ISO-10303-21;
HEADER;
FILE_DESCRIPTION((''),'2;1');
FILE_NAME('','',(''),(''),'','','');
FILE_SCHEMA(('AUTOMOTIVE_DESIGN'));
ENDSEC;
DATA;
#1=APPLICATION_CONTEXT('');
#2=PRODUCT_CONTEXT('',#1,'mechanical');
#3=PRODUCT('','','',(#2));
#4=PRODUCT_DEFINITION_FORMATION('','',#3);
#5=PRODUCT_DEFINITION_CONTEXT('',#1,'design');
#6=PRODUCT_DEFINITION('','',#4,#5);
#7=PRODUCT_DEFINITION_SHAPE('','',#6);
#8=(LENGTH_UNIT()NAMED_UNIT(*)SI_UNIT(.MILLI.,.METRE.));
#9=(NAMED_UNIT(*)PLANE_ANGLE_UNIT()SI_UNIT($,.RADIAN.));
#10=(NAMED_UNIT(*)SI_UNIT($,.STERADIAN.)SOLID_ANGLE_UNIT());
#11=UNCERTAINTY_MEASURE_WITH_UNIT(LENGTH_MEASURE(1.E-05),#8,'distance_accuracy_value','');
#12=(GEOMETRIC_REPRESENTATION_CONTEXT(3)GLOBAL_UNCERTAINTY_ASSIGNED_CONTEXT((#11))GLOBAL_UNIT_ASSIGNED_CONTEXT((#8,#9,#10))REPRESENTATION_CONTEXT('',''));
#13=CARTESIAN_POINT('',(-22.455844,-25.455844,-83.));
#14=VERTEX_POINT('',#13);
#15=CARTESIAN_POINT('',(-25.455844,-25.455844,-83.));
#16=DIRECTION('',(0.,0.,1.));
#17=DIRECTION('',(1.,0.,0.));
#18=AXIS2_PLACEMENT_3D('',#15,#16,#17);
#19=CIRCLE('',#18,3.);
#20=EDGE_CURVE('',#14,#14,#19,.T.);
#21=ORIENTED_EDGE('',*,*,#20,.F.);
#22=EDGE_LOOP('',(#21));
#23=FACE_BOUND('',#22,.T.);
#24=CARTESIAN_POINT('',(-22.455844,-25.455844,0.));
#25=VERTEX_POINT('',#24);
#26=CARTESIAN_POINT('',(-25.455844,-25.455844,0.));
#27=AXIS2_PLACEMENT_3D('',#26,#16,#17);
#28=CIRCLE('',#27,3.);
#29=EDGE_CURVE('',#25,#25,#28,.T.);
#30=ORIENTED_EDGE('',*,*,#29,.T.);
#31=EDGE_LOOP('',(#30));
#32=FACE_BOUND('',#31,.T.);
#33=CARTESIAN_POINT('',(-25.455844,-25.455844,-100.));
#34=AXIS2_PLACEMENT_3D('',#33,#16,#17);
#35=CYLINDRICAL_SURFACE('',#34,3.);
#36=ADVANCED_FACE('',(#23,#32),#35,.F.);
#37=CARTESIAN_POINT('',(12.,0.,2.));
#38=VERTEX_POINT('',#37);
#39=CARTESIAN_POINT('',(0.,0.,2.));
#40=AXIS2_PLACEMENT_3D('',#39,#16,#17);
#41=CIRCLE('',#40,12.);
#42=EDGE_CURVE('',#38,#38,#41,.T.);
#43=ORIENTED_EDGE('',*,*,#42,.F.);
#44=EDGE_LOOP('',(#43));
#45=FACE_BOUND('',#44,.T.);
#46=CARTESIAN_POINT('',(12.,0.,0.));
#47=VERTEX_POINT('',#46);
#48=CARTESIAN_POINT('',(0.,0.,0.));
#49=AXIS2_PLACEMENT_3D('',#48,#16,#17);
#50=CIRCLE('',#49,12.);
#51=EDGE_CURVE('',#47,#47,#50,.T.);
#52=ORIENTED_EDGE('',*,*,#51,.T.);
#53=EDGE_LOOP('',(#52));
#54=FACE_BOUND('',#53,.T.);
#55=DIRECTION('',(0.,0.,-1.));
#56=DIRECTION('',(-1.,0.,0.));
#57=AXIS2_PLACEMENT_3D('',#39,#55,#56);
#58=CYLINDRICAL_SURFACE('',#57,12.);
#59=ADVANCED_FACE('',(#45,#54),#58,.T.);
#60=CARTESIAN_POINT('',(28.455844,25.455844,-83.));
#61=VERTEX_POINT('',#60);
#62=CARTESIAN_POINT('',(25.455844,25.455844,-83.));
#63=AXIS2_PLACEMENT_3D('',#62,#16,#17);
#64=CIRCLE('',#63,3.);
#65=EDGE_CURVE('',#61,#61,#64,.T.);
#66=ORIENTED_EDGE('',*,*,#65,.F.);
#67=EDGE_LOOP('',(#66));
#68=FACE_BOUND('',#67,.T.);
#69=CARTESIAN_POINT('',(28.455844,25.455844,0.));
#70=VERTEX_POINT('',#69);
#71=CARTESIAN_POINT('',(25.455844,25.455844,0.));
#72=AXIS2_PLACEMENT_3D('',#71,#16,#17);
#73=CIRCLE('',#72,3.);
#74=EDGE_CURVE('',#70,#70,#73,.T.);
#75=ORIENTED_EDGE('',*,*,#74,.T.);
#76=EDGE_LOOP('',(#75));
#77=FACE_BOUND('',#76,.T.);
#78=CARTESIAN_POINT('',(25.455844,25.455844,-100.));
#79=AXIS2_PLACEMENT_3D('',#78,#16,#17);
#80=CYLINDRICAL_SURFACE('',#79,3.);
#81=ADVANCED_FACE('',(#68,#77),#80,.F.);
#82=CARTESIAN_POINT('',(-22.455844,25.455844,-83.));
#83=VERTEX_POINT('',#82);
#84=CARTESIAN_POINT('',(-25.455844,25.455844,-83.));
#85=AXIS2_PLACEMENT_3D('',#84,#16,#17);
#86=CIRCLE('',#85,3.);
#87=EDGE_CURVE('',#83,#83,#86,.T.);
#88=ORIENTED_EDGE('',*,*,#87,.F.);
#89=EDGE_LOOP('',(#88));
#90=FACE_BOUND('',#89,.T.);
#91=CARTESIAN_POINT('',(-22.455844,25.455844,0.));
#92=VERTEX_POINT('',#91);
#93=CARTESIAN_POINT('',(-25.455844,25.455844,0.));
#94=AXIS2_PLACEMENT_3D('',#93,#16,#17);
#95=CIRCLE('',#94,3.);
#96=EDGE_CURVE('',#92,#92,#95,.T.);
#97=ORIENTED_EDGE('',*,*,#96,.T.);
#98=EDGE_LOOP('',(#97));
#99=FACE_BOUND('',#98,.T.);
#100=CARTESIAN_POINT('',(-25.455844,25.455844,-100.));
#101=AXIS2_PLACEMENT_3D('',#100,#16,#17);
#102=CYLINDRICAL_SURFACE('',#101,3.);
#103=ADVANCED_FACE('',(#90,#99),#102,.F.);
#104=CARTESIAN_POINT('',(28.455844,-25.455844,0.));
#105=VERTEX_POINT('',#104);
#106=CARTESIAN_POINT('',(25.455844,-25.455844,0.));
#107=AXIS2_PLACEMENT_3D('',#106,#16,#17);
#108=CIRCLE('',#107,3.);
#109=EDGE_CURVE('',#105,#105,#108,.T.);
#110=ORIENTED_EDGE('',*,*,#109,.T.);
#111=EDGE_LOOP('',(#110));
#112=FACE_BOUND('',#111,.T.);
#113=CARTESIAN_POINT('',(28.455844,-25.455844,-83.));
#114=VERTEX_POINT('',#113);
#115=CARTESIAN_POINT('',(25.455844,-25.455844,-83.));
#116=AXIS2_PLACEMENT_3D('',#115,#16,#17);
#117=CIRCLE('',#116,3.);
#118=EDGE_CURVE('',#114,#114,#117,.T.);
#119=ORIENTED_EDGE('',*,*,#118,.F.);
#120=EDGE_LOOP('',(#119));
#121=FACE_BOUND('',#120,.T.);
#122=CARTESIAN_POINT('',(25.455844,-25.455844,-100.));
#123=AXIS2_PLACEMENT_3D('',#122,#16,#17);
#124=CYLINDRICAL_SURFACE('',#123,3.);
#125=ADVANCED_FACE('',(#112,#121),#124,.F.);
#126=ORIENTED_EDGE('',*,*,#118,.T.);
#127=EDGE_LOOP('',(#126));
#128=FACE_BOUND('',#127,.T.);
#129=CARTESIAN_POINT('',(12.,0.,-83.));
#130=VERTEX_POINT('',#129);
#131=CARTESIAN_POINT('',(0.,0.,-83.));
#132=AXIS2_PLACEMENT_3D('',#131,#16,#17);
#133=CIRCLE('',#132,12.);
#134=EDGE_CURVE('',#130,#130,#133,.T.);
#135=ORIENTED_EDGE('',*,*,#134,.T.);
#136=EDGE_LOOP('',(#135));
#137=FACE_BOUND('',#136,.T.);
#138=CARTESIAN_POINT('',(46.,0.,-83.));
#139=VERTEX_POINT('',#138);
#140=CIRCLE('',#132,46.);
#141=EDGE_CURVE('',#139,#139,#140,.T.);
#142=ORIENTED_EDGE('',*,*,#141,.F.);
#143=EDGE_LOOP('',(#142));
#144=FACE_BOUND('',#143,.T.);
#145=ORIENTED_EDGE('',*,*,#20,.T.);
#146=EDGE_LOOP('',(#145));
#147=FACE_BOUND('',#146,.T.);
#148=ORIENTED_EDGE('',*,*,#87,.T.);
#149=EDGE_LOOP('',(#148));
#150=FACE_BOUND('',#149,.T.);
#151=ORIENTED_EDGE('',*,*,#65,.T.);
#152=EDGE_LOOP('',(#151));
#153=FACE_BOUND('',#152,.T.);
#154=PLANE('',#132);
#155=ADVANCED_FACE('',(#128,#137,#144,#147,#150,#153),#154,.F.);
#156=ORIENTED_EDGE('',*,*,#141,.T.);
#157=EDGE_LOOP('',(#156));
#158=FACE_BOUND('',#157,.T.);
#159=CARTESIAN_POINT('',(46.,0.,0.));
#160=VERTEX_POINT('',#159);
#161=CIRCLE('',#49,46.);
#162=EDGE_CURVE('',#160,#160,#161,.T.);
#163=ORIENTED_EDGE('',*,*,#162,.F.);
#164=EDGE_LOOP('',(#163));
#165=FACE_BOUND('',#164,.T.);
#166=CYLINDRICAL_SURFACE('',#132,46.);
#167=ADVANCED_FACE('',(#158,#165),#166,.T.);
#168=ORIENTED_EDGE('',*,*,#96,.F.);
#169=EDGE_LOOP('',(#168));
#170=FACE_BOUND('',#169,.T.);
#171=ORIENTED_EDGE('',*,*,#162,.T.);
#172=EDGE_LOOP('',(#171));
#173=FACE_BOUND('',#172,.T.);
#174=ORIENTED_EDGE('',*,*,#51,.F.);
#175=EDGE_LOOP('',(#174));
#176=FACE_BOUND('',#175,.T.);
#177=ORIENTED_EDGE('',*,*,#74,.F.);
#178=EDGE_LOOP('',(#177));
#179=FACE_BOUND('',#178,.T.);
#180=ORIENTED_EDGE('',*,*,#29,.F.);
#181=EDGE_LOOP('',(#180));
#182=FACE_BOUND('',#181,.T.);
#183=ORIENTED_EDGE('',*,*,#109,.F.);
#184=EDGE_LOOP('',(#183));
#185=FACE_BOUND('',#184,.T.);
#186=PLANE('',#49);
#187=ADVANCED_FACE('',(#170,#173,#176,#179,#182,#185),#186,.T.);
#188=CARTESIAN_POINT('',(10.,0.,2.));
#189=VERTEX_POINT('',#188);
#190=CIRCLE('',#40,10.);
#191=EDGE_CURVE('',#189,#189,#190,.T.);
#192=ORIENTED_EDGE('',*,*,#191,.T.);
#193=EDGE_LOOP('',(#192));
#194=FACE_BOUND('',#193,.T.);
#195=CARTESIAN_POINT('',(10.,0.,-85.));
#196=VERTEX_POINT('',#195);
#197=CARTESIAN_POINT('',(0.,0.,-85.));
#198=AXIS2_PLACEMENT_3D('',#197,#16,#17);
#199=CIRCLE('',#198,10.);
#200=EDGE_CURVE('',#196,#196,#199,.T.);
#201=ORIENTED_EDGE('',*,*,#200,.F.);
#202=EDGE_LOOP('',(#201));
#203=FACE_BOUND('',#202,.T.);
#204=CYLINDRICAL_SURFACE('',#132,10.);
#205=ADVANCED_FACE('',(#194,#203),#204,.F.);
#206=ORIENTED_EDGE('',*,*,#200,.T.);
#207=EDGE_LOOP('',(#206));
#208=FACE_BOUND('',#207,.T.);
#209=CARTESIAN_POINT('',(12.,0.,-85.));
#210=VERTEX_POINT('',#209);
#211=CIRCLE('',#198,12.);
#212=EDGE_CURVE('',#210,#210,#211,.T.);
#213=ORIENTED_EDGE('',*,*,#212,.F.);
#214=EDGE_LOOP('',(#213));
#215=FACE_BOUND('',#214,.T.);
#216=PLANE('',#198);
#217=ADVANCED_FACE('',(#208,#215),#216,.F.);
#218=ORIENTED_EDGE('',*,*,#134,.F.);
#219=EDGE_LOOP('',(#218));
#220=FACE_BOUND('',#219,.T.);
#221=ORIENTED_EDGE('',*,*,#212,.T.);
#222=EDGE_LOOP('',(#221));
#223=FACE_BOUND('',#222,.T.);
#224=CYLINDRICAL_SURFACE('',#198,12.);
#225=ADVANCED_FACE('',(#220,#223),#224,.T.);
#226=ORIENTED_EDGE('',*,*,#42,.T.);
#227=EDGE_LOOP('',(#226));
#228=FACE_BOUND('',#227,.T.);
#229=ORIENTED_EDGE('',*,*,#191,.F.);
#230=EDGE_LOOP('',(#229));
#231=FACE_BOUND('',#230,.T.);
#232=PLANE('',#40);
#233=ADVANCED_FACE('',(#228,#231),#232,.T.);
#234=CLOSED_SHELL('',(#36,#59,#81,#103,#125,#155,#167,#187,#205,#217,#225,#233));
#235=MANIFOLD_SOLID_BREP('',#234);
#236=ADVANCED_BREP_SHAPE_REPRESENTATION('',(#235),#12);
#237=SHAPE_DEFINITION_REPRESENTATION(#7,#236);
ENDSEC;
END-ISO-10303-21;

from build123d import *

# Parameters (mm, degrees)
IZIM1_R                     = 46
IZIM1_R_2                   = 12
IZIM1_R_3                   = 10
Y_KSEKLIK_EKSTR_ZYON2_DEPTH = 83
Y_KSEKLIK_EKSTR_ZYON3_START = 2
IZIM1_4_R                   = 12
IZIM1_4_R_2                 = 10
Y_KSEKLIK_EKSTR_ZYON3_DEPTH = 2
Y_KSEKLIK_EKSTR_ZYON4_START = -83
IZIM1_7_R                   = 12
IZIM1_7_R_2                 = 10
Y_KSEKLIK_EKSTR_ZYON4_DEPTH = 2
IZIM2_R                     = 3
KES_EKSTR_ZYON1_DEPTH       = 100


with BuildPart() as part:
    # Çizim1 → Yükseklik-Ekstrüzyon2 (new body)
    # profile 1 of 2: a face of its own
    with BuildSketch(Plane.XY):
        Circle(IZIM1_R)
        Circle(IZIM1_R_2, mode=Mode.SUBTRACT)
    # profile 2 of 2: a face of its own
    with BuildSketch(Plane.XY):
        Circle(IZIM1_R_2)
        Circle(IZIM1_R_3, mode=Mode.SUBTRACT)
    extrude(amount=-Y_KSEKLIK_EKSTR_ZYON2_DEPTH)

    # Çizim1<4> → Yükseklik-Ekstrüzyon3 (add)
    with BuildSketch(Plane.XY.offset(Y_KSEKLIK_EKSTR_ZYON3_START)):
        Circle(IZIM1_4_R)
        Circle(IZIM1_4_R_2, mode=Mode.SUBTRACT)
    extrude(amount=-Y_KSEKLIK_EKSTR_ZYON3_DEPTH)

    # Çizim1<7> → Yükseklik-Ekstrüzyon4 (add)
    with BuildSketch(Plane.XY.offset(Y_KSEKLIK_EKSTR_ZYON4_START)):
        Circle(IZIM1_7_R)
        Circle(IZIM1_7_R_2, mode=Mode.SUBTRACT)
    extrude(amount=-Y_KSEKLIK_EKSTR_ZYON4_DEPTH)

    # Çizim2 → Kes-Ekstrüzyon1 (cut)
    with BuildSketch(Plane.XY):
        with Locations((-25.455844123, 25.455844123)):
            Circle(IZIM2_R)
        with Locations((25.455844123, 25.455844123)):
            Circle(IZIM2_R)
        with Locations((25.455844123, -25.455844123)):
            Circle(IZIM2_R)
        with Locations((-25.455844123, -25.455844123)):
            Circle(IZIM2_R)
    extrude(amount=-KES_EKSTR_ZYON1_DEPTH, mode=Mode.SUBTRACT)


solid = part.part
